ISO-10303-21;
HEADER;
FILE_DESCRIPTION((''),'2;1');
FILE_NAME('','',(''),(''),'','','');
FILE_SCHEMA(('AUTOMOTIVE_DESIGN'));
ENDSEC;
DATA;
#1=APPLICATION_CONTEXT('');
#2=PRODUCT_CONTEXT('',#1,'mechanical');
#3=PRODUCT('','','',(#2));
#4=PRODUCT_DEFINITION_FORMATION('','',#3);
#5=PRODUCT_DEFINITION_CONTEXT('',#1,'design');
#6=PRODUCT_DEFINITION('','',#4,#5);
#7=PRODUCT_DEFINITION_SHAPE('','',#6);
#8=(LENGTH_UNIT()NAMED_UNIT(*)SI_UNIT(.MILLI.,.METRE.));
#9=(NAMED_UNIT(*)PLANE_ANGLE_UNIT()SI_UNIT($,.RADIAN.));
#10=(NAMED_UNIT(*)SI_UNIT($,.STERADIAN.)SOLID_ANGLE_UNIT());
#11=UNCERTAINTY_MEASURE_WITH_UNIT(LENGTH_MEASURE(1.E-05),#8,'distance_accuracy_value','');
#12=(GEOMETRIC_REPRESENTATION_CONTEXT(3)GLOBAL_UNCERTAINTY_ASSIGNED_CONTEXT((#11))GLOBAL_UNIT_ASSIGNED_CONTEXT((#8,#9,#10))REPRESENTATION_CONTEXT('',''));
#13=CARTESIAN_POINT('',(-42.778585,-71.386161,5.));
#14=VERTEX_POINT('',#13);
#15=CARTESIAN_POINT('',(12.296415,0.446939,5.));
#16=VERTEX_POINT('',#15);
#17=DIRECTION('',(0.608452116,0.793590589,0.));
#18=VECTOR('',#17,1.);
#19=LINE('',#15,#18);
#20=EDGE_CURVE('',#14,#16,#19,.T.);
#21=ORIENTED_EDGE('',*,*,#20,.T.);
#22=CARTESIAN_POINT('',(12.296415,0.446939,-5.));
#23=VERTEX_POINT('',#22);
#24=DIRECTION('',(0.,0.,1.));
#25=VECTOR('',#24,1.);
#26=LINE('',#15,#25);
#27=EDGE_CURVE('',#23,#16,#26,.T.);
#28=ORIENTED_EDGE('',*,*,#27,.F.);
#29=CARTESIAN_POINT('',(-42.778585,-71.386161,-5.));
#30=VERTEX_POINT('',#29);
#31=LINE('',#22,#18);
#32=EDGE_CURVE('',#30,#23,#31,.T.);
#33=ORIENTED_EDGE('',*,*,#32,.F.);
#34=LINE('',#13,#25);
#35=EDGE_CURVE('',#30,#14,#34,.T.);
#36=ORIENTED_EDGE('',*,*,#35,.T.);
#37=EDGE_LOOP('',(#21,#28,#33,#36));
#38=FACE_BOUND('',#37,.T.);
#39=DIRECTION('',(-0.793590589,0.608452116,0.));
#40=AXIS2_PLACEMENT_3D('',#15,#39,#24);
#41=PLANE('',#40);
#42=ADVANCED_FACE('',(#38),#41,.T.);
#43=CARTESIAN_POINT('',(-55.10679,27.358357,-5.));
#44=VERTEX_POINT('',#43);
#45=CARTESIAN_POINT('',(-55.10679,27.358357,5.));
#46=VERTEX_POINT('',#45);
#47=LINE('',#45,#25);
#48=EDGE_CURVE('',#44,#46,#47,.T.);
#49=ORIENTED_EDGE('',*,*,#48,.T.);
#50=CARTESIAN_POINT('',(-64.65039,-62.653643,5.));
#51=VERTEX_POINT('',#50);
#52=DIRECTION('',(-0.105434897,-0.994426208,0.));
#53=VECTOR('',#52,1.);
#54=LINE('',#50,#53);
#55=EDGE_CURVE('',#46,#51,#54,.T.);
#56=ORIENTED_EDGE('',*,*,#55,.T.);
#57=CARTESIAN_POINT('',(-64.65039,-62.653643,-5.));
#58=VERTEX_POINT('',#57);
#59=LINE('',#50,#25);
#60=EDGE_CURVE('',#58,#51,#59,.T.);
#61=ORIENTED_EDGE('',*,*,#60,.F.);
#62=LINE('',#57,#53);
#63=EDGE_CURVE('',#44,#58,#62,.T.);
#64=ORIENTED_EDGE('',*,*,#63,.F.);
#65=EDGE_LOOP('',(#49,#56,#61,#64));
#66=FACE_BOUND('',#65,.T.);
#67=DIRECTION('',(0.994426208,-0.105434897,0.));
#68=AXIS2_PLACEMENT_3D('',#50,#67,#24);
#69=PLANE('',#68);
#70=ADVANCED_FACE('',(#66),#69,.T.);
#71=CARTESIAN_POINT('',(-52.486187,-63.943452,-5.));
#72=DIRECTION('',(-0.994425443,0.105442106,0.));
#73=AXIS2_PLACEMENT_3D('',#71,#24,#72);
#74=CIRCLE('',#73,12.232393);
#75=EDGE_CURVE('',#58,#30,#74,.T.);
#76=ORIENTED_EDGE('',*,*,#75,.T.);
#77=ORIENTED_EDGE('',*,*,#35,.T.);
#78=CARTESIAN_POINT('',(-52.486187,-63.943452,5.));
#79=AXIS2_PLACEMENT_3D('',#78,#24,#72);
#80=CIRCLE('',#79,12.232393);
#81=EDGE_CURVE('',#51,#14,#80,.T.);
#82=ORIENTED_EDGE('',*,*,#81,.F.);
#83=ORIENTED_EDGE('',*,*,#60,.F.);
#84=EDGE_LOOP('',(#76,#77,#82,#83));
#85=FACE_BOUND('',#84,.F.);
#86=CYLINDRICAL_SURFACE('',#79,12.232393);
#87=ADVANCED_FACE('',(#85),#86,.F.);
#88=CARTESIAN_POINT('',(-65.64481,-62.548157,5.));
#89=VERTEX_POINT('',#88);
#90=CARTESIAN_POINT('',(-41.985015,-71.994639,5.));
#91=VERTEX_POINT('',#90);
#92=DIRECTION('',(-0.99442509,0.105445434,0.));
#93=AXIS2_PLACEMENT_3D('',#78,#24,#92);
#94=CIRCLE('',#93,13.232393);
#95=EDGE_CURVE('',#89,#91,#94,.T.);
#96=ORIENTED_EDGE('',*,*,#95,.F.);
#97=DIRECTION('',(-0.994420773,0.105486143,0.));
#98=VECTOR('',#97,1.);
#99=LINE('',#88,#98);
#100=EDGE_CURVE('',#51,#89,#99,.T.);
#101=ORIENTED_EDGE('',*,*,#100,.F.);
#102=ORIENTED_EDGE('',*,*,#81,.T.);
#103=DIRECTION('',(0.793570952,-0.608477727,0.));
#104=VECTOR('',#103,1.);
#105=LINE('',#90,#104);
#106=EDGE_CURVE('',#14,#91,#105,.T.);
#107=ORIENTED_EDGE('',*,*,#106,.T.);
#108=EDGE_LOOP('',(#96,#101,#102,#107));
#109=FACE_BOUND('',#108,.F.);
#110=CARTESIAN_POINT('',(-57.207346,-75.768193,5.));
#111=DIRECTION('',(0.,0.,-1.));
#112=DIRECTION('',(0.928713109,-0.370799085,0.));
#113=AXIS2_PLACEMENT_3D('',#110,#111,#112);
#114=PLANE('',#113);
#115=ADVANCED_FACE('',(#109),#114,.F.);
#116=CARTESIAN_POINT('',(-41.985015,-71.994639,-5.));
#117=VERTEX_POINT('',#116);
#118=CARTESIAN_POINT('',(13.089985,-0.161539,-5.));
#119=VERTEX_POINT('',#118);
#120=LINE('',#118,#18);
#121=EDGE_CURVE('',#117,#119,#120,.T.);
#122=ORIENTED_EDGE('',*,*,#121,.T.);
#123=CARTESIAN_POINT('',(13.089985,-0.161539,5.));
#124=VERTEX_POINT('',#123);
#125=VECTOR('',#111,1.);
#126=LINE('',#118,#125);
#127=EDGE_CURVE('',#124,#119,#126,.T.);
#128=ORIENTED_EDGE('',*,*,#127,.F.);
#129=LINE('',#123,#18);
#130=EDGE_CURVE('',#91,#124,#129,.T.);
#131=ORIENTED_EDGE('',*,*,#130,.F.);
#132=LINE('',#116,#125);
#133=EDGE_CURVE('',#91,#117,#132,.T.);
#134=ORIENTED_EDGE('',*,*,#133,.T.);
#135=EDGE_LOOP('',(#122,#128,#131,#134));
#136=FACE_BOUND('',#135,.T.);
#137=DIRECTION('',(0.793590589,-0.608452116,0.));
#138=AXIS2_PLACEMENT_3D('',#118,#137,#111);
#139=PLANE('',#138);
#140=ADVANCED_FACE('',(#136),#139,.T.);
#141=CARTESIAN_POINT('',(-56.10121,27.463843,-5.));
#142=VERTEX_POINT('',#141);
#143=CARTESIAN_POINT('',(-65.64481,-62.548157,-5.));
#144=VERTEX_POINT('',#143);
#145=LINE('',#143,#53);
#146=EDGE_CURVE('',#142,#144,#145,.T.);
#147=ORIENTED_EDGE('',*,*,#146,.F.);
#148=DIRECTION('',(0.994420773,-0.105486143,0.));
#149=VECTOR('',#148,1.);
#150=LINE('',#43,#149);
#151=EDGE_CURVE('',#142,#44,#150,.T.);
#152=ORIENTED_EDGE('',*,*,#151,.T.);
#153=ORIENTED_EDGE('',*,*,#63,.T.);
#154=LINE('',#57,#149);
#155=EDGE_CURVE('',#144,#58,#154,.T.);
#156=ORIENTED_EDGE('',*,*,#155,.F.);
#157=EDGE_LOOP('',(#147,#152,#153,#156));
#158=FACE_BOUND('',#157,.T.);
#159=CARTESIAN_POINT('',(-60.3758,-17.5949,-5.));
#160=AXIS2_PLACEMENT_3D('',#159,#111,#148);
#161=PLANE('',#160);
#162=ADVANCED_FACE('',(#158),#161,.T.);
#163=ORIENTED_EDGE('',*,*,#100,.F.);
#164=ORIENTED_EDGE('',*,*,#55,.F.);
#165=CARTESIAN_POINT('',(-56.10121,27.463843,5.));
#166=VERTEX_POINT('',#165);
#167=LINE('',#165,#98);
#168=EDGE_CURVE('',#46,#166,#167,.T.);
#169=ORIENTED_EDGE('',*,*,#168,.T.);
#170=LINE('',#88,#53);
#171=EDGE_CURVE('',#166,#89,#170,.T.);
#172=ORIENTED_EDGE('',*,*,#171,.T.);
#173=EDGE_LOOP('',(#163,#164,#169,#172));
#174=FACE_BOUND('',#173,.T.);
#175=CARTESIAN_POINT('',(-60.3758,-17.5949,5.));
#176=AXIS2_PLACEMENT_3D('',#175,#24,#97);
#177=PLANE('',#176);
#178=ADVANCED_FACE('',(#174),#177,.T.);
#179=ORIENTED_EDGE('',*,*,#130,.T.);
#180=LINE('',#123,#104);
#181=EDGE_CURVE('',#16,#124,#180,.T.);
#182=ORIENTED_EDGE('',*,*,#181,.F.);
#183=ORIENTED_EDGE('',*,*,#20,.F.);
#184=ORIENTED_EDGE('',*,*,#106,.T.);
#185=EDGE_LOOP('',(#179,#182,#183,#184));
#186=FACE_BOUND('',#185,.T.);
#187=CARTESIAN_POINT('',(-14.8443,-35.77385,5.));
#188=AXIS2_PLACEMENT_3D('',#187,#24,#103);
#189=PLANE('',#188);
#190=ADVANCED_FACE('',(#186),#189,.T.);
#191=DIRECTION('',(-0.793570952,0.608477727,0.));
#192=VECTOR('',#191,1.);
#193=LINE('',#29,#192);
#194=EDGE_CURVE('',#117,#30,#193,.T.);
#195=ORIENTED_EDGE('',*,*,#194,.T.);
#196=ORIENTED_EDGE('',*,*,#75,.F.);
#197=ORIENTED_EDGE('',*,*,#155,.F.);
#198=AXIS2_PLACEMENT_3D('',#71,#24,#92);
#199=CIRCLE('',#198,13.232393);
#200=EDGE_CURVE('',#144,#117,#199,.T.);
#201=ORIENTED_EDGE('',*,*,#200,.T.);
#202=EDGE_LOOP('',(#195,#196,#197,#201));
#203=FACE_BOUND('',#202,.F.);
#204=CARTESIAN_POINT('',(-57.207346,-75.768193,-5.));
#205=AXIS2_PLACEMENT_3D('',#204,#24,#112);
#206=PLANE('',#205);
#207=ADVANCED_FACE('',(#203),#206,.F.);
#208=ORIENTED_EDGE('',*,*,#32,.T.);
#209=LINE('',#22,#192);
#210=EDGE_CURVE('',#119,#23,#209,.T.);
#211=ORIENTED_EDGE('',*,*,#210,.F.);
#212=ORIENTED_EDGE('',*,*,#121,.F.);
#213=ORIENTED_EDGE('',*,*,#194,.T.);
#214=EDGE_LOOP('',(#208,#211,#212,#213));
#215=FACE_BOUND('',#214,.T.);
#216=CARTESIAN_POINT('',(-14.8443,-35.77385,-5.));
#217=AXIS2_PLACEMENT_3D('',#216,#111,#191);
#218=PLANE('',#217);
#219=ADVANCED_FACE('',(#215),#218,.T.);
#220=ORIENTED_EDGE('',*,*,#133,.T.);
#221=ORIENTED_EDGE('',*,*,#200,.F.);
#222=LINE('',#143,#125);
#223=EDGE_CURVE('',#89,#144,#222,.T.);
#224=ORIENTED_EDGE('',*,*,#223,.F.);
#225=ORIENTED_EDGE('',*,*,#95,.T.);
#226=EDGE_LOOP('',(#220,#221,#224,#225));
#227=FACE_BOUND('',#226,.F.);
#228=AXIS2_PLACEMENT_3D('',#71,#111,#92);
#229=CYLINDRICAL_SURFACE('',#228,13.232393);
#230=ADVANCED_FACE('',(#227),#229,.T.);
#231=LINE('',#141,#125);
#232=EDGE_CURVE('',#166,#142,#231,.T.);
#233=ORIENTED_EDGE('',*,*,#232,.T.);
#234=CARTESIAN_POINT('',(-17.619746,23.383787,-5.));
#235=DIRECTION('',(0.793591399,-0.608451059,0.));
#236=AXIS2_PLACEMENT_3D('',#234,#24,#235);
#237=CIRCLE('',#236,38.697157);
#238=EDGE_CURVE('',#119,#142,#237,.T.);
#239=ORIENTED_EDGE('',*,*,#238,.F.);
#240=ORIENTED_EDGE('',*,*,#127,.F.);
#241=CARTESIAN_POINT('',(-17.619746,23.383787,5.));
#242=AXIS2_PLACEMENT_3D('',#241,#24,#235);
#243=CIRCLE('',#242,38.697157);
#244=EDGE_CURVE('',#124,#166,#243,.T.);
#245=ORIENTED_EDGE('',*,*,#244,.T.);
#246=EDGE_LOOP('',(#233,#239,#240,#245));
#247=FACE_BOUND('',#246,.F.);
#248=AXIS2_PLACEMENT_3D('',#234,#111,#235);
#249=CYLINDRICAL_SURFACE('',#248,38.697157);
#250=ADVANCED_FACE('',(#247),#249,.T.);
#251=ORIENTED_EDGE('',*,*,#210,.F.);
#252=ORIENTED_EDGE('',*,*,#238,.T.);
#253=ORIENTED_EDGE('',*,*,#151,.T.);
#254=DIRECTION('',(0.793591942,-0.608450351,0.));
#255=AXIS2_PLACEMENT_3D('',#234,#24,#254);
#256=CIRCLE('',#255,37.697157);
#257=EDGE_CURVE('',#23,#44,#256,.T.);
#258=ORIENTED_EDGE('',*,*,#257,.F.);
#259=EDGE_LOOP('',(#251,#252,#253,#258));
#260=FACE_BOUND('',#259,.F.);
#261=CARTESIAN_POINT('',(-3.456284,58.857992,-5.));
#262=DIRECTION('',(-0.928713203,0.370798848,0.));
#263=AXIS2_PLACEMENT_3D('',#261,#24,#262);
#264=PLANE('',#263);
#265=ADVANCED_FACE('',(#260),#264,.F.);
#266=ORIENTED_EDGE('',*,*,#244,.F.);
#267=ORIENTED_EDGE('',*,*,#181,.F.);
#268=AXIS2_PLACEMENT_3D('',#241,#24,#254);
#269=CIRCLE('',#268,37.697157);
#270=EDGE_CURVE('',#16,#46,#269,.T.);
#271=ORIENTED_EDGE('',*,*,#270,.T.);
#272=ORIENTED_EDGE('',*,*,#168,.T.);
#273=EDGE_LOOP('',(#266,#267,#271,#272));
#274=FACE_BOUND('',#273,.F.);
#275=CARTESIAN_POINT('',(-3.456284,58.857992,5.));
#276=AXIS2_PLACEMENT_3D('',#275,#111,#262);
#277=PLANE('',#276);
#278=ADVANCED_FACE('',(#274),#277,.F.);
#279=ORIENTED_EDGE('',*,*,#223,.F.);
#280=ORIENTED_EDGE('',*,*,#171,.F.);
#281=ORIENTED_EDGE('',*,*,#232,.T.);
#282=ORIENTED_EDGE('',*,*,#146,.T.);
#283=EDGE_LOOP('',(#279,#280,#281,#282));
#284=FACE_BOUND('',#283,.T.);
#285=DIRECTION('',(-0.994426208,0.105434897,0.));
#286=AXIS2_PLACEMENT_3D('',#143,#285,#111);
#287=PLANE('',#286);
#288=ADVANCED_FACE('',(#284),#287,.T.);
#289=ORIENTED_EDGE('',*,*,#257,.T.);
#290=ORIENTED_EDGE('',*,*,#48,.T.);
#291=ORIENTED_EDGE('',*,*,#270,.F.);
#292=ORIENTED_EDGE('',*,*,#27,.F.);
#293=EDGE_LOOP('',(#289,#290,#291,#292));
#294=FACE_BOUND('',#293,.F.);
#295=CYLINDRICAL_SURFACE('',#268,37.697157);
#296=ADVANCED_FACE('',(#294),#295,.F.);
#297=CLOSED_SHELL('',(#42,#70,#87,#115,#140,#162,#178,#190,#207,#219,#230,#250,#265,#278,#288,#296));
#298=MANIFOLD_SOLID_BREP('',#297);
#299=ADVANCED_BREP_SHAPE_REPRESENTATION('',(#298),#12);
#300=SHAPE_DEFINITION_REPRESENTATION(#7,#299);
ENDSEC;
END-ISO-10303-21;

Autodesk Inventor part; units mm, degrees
sketch "Sketch Path" plane through (0, 0, 0) normal (0, 0, 1) x (1, 0, 0)
  arc A0 (-65.1476, -62.6009) -> (-42.3818, -71.6904) centre (-52.4861, -63.9434) ccw
  arc A1 (12.6932, 0.1427) -> (-55.604, 27.4111) centre (-17.6197, 23.3838) ccw
  line L0 (12.6932, 0.1427) -> (-42.3818, -71.6904)
  line L1 (-65.1476, -62.6009) -> (-55.604, 27.4111)
ref_plane "Cross Section Plane" through (-42.3818, -71.6904, 0) normal (0.6085, 0.7936, 0) x (0, 0, 1)
ref_plane "Work Plane2" through (-52.4861, -63.9434, 0) normal (-1, 0, 0) x (0, 0, 1)
ref_plane "Work Plane3" through (-17.6197, 23.3838, 0) normal (-0.1867, -0.9824, 0) x (0, 0, 1)
sketch "Cross Section" plane through (-42.3818, -71.6904, 0) normal (0.6085, 0.7936, 0) x (0, 0, 1)
  line L0 (-5, 0.5) -> (5, 0.5)
  line L1 (5, 0.5) -> (5, -0.5)
  line L2 (5, -0.5) -> (-5, -0.5)
  line L3 (-5, -0.5) -> (-5, 0.5)
  line L4 (-5, 0) -> (5, 0) construction
  point P0 (0, 0)
  point P1 (0, 0)
  dimension "d0" = 10
  dimension "d4" = 0.5
  dimension "d5" = 0.5
sweep "Belt" add profiles "Cross Section" path "Sketch Path"
equation "\"d0\" = da_B"
equation "\"d4\" = da_a"
equation "\"d5\" = da_a2"
equation "\"da_B\" = 10"
equation "\"da_pb\" = 5"
equation "\"da_L\" = 355"
equation "\"da_a\" = 0.5"
equation "\"da_S\" = 2.65"
equation "\"da_Beta\" = 20deg"
equation "\"da_Ht\" = 1.2"
equation "\"da_H\" = 2.2"
equation "\"da_a2\" = 0.5"
properties part number "Synchronous Belt" material "Rubber"
